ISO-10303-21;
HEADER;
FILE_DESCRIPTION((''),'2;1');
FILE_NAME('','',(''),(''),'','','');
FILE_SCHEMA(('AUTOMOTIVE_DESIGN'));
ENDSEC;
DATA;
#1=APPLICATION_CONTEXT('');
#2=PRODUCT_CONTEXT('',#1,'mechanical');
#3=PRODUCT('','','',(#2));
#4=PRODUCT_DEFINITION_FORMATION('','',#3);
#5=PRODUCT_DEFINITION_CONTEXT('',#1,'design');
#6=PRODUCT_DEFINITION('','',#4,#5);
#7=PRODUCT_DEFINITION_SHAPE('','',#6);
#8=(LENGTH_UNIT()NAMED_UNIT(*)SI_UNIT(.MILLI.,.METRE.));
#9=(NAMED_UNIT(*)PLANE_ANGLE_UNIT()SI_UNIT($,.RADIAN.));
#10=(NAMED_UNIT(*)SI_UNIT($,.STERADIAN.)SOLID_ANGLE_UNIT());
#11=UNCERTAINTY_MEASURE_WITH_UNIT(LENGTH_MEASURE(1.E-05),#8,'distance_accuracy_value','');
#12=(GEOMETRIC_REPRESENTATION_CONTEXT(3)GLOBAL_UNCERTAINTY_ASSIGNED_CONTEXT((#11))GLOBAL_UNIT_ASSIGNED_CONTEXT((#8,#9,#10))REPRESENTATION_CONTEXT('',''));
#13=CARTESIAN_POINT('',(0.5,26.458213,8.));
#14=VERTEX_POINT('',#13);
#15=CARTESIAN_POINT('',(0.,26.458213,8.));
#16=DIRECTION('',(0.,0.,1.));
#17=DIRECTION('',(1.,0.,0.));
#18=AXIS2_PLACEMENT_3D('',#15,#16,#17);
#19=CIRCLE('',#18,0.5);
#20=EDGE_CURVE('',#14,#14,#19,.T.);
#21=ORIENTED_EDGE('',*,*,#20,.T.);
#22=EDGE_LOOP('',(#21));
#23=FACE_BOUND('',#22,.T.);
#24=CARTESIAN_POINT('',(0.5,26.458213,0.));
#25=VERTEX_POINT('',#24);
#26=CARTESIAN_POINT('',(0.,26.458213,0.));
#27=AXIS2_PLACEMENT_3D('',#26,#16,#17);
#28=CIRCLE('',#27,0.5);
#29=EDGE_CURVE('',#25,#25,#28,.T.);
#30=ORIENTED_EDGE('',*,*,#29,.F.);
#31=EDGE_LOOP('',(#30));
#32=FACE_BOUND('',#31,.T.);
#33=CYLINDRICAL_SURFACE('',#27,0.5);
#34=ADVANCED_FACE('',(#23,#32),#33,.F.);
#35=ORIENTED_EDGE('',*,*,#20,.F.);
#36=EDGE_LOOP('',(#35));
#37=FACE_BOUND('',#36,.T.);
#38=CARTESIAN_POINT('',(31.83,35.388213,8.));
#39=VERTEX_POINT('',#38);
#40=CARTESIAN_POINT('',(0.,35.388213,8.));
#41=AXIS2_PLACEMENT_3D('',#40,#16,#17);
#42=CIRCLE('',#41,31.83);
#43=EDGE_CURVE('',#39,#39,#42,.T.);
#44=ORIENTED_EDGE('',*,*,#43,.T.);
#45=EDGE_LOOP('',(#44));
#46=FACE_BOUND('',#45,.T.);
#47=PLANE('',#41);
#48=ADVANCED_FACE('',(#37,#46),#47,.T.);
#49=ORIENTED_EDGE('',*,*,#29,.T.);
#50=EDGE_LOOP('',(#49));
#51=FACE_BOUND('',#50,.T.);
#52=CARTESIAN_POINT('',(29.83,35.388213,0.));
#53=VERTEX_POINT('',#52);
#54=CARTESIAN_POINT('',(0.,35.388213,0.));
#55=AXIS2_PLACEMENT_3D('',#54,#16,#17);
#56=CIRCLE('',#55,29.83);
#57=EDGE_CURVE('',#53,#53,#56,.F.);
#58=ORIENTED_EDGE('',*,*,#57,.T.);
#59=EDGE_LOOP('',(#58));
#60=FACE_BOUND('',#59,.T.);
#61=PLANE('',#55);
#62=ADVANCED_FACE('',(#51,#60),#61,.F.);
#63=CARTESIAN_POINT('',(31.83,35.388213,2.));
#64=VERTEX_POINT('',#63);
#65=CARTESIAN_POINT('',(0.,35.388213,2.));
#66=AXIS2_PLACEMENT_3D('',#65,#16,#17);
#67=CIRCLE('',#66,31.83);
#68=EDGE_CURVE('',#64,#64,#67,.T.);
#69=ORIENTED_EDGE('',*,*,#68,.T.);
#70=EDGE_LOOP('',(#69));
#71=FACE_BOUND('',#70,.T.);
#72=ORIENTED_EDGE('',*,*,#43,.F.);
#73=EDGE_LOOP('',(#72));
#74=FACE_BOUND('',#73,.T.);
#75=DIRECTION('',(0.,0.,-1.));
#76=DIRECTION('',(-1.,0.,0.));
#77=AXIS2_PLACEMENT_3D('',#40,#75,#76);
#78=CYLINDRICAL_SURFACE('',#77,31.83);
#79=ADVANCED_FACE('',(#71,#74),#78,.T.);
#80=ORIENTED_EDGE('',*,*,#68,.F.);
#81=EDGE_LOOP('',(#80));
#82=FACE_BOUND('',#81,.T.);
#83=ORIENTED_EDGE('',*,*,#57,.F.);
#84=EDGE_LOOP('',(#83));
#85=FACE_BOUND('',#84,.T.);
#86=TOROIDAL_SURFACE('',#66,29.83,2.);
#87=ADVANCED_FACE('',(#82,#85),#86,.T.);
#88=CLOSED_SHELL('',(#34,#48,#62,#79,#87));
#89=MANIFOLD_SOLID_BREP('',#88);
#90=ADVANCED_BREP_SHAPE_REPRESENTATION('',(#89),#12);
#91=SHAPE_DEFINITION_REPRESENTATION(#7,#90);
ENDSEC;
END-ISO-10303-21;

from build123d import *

# Parameters (mm, degrees)
SKETCH2_R           = 31.83
BOSS_EXTRUDE1_DEPTH = 8
FILLET1_R           = 2
SKETCH3_R           = 0.5
CUT_EXTRUDE1_DEPTH  = 9


with BuildPart() as part:
    # Sketch2 → Boss-Extrude1 (new body)
    with BuildSketch(Plane.XY):
        with Locations((0, 35.388213047)):
            Circle(SKETCH2_R)
    extrude(amount=BOSS_EXTRUDE1_DEPTH)

    # Fillet1
    fillet1_edges = [part.edges().sort_by_distance(p)[0] for p in [
        (-31.83, 35.388213047, 0),
    ]]
    fillet(fillet1_edges, radius=FILLET1_R)

    # Sketch3 → Cut-Extrude1 (cut, through all)
    with BuildSketch(Plane.XY.offset(8)):
        with Locations((0, 26.458213047)):
            Circle(SKETCH3_R)
    extrude(amount=-CUT_EXTRUDE1_DEPTH, mode=Mode.SUBTRACT)


solid = part.part
